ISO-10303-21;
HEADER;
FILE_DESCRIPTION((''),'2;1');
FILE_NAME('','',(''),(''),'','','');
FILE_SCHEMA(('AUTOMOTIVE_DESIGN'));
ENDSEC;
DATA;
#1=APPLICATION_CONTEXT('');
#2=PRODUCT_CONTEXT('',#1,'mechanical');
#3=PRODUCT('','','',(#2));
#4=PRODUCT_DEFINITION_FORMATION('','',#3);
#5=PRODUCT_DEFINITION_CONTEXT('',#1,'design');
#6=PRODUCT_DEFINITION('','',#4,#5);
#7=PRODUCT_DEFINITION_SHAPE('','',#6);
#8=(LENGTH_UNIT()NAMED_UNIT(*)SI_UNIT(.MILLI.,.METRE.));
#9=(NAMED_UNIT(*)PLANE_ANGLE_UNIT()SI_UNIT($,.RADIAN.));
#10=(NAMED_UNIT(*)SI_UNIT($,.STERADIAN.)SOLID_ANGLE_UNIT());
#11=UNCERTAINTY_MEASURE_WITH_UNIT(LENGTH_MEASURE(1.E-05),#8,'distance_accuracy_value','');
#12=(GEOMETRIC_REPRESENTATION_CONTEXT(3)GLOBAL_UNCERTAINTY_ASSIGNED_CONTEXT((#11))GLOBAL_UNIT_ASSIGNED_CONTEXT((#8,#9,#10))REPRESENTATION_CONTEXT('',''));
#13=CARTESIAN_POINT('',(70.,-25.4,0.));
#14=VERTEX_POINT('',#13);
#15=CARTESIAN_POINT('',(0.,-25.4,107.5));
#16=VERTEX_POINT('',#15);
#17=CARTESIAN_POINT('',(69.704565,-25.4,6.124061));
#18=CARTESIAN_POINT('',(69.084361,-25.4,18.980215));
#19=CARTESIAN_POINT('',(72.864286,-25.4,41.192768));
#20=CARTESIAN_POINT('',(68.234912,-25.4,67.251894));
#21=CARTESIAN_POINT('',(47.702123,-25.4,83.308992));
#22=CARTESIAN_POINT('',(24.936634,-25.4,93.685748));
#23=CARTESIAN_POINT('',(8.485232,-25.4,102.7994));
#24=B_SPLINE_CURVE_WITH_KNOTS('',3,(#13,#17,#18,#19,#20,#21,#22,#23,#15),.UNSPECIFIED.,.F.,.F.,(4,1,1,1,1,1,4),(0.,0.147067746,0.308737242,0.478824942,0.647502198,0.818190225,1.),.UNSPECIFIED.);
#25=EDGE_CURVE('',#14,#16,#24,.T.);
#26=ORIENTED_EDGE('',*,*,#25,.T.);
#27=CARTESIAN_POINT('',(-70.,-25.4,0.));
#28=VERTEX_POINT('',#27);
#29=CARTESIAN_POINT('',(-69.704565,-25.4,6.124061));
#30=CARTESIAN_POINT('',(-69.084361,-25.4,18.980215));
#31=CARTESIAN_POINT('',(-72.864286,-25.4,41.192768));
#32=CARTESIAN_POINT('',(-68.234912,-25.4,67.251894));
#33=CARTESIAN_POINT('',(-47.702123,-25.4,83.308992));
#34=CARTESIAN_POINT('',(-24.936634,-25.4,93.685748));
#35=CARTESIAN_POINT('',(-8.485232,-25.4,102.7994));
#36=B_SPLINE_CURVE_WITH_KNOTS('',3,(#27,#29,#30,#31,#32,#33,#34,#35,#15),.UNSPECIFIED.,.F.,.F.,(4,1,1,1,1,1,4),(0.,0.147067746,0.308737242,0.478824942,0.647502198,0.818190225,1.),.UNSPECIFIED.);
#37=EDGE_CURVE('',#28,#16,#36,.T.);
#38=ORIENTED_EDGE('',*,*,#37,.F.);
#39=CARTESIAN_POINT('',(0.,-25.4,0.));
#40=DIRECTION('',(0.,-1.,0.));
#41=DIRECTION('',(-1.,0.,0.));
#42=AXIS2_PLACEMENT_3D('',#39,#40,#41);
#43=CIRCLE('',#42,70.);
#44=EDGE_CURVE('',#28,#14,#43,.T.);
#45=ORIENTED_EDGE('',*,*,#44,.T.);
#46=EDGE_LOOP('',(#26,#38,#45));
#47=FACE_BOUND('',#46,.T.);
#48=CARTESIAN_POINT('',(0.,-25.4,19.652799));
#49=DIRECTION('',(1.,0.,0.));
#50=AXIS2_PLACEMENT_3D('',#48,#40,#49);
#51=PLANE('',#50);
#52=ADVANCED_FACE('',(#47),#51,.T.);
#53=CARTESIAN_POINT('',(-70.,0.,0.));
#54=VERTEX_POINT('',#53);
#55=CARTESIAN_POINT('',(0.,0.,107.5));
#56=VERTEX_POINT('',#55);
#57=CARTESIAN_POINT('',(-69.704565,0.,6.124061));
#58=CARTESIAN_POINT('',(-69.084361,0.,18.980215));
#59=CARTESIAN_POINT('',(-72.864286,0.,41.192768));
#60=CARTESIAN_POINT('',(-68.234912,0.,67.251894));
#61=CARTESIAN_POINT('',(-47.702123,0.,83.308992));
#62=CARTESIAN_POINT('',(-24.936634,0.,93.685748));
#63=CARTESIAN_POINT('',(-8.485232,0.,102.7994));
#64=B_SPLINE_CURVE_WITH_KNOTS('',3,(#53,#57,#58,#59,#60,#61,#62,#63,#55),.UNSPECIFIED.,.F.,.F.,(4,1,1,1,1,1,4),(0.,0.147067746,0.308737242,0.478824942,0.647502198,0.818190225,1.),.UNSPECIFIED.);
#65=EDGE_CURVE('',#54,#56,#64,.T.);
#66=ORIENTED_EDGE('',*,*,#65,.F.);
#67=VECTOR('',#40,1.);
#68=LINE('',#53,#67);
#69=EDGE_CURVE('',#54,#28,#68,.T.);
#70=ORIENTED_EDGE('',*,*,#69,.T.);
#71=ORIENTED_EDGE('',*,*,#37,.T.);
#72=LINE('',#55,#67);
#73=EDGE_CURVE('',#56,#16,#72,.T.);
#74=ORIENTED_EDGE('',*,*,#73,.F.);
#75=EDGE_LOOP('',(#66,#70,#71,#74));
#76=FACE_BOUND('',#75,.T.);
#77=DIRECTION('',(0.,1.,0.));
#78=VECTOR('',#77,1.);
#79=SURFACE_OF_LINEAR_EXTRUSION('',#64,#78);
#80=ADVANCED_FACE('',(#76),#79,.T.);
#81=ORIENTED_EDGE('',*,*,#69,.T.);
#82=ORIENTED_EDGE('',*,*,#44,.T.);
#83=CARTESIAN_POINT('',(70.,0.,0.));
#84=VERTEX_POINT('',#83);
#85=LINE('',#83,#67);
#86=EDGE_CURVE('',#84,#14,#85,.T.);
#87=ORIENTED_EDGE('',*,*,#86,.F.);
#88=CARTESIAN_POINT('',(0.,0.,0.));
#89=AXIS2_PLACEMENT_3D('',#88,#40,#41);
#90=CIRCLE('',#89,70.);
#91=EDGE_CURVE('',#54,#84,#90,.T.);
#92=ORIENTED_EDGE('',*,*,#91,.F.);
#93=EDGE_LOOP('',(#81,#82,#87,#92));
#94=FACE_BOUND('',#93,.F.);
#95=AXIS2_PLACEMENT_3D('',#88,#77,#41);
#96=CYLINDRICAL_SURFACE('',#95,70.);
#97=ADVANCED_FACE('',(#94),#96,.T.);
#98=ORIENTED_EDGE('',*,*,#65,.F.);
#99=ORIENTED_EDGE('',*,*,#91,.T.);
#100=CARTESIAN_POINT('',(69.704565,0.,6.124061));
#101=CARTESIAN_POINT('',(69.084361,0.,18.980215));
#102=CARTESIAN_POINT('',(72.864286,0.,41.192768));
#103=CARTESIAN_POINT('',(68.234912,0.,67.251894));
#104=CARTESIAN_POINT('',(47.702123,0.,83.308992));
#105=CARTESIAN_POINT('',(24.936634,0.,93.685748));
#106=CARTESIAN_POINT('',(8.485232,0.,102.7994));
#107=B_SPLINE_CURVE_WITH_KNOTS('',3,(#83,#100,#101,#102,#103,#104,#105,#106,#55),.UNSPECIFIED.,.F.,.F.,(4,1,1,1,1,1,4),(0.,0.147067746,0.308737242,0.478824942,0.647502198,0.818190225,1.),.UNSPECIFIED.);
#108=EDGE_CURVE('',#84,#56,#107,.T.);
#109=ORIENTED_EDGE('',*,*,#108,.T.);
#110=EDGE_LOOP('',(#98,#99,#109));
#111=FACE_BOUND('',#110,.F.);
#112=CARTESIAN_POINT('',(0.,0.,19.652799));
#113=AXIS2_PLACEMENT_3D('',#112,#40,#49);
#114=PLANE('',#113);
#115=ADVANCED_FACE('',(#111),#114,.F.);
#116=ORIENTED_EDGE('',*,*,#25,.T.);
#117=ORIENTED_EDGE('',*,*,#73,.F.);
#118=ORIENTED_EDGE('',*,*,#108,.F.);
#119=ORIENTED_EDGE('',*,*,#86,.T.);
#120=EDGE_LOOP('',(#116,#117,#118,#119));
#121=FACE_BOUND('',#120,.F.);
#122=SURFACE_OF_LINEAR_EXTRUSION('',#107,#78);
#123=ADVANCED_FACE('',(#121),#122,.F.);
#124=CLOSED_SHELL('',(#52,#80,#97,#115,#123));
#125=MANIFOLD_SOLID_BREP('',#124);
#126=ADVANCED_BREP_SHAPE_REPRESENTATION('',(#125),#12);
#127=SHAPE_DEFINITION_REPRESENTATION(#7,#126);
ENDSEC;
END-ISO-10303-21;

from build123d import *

# Parameters (mm, degrees)
F1_DEPTH = 25.4


with BuildPart() as f1:
    # F0 (on Front) → F1 (new body)
    with BuildSketch(Plane.XZ):
        with BuildLine():
            ThreePointArc((-70, 0), (0, -70), (70, 0))
            add(Edge.make_bspline(
                [(70, 0), (69.7045645025, 6.124060624), (69.0843609355, 18.9802145954), (72.8642857522, 41.1927682499), (68.2349119119, 67.2518940173), (47.7021229564, 83.3089918387), (24.9366339721, 93.6857478498), (8.4852321262, 102.7994002207), (0, 107.5)],
                knots=[0, 0, 0, 0, 0.147067746, 0.3087372419, 0.4788249422, 0.6475021984, 0.8181902248, 1, 1, 1, 1], degree=3))
            add(Edge.make_bspline(
                [(-70, 0), (-69.7045645025, 6.124060624), (-69.0843609355, 18.9802145954), (-72.8642857522, 41.1927682499), (-68.2349119119, 67.2518940173), (-47.7021229564, 83.3089918387), (-24.9366339721, 93.6857478498), (-8.4852321262, 102.7994002207), (0, 107.5)],
                knots=[0, 0, 0, 0, 0.147067746, 0.3087372419, 0.4788249422, 0.6475021984, 0.8181902248, 1, 1, 1, 1], degree=3))
        make_face()
    extrude(amount=F1_DEPTH)


solid = f1.part
